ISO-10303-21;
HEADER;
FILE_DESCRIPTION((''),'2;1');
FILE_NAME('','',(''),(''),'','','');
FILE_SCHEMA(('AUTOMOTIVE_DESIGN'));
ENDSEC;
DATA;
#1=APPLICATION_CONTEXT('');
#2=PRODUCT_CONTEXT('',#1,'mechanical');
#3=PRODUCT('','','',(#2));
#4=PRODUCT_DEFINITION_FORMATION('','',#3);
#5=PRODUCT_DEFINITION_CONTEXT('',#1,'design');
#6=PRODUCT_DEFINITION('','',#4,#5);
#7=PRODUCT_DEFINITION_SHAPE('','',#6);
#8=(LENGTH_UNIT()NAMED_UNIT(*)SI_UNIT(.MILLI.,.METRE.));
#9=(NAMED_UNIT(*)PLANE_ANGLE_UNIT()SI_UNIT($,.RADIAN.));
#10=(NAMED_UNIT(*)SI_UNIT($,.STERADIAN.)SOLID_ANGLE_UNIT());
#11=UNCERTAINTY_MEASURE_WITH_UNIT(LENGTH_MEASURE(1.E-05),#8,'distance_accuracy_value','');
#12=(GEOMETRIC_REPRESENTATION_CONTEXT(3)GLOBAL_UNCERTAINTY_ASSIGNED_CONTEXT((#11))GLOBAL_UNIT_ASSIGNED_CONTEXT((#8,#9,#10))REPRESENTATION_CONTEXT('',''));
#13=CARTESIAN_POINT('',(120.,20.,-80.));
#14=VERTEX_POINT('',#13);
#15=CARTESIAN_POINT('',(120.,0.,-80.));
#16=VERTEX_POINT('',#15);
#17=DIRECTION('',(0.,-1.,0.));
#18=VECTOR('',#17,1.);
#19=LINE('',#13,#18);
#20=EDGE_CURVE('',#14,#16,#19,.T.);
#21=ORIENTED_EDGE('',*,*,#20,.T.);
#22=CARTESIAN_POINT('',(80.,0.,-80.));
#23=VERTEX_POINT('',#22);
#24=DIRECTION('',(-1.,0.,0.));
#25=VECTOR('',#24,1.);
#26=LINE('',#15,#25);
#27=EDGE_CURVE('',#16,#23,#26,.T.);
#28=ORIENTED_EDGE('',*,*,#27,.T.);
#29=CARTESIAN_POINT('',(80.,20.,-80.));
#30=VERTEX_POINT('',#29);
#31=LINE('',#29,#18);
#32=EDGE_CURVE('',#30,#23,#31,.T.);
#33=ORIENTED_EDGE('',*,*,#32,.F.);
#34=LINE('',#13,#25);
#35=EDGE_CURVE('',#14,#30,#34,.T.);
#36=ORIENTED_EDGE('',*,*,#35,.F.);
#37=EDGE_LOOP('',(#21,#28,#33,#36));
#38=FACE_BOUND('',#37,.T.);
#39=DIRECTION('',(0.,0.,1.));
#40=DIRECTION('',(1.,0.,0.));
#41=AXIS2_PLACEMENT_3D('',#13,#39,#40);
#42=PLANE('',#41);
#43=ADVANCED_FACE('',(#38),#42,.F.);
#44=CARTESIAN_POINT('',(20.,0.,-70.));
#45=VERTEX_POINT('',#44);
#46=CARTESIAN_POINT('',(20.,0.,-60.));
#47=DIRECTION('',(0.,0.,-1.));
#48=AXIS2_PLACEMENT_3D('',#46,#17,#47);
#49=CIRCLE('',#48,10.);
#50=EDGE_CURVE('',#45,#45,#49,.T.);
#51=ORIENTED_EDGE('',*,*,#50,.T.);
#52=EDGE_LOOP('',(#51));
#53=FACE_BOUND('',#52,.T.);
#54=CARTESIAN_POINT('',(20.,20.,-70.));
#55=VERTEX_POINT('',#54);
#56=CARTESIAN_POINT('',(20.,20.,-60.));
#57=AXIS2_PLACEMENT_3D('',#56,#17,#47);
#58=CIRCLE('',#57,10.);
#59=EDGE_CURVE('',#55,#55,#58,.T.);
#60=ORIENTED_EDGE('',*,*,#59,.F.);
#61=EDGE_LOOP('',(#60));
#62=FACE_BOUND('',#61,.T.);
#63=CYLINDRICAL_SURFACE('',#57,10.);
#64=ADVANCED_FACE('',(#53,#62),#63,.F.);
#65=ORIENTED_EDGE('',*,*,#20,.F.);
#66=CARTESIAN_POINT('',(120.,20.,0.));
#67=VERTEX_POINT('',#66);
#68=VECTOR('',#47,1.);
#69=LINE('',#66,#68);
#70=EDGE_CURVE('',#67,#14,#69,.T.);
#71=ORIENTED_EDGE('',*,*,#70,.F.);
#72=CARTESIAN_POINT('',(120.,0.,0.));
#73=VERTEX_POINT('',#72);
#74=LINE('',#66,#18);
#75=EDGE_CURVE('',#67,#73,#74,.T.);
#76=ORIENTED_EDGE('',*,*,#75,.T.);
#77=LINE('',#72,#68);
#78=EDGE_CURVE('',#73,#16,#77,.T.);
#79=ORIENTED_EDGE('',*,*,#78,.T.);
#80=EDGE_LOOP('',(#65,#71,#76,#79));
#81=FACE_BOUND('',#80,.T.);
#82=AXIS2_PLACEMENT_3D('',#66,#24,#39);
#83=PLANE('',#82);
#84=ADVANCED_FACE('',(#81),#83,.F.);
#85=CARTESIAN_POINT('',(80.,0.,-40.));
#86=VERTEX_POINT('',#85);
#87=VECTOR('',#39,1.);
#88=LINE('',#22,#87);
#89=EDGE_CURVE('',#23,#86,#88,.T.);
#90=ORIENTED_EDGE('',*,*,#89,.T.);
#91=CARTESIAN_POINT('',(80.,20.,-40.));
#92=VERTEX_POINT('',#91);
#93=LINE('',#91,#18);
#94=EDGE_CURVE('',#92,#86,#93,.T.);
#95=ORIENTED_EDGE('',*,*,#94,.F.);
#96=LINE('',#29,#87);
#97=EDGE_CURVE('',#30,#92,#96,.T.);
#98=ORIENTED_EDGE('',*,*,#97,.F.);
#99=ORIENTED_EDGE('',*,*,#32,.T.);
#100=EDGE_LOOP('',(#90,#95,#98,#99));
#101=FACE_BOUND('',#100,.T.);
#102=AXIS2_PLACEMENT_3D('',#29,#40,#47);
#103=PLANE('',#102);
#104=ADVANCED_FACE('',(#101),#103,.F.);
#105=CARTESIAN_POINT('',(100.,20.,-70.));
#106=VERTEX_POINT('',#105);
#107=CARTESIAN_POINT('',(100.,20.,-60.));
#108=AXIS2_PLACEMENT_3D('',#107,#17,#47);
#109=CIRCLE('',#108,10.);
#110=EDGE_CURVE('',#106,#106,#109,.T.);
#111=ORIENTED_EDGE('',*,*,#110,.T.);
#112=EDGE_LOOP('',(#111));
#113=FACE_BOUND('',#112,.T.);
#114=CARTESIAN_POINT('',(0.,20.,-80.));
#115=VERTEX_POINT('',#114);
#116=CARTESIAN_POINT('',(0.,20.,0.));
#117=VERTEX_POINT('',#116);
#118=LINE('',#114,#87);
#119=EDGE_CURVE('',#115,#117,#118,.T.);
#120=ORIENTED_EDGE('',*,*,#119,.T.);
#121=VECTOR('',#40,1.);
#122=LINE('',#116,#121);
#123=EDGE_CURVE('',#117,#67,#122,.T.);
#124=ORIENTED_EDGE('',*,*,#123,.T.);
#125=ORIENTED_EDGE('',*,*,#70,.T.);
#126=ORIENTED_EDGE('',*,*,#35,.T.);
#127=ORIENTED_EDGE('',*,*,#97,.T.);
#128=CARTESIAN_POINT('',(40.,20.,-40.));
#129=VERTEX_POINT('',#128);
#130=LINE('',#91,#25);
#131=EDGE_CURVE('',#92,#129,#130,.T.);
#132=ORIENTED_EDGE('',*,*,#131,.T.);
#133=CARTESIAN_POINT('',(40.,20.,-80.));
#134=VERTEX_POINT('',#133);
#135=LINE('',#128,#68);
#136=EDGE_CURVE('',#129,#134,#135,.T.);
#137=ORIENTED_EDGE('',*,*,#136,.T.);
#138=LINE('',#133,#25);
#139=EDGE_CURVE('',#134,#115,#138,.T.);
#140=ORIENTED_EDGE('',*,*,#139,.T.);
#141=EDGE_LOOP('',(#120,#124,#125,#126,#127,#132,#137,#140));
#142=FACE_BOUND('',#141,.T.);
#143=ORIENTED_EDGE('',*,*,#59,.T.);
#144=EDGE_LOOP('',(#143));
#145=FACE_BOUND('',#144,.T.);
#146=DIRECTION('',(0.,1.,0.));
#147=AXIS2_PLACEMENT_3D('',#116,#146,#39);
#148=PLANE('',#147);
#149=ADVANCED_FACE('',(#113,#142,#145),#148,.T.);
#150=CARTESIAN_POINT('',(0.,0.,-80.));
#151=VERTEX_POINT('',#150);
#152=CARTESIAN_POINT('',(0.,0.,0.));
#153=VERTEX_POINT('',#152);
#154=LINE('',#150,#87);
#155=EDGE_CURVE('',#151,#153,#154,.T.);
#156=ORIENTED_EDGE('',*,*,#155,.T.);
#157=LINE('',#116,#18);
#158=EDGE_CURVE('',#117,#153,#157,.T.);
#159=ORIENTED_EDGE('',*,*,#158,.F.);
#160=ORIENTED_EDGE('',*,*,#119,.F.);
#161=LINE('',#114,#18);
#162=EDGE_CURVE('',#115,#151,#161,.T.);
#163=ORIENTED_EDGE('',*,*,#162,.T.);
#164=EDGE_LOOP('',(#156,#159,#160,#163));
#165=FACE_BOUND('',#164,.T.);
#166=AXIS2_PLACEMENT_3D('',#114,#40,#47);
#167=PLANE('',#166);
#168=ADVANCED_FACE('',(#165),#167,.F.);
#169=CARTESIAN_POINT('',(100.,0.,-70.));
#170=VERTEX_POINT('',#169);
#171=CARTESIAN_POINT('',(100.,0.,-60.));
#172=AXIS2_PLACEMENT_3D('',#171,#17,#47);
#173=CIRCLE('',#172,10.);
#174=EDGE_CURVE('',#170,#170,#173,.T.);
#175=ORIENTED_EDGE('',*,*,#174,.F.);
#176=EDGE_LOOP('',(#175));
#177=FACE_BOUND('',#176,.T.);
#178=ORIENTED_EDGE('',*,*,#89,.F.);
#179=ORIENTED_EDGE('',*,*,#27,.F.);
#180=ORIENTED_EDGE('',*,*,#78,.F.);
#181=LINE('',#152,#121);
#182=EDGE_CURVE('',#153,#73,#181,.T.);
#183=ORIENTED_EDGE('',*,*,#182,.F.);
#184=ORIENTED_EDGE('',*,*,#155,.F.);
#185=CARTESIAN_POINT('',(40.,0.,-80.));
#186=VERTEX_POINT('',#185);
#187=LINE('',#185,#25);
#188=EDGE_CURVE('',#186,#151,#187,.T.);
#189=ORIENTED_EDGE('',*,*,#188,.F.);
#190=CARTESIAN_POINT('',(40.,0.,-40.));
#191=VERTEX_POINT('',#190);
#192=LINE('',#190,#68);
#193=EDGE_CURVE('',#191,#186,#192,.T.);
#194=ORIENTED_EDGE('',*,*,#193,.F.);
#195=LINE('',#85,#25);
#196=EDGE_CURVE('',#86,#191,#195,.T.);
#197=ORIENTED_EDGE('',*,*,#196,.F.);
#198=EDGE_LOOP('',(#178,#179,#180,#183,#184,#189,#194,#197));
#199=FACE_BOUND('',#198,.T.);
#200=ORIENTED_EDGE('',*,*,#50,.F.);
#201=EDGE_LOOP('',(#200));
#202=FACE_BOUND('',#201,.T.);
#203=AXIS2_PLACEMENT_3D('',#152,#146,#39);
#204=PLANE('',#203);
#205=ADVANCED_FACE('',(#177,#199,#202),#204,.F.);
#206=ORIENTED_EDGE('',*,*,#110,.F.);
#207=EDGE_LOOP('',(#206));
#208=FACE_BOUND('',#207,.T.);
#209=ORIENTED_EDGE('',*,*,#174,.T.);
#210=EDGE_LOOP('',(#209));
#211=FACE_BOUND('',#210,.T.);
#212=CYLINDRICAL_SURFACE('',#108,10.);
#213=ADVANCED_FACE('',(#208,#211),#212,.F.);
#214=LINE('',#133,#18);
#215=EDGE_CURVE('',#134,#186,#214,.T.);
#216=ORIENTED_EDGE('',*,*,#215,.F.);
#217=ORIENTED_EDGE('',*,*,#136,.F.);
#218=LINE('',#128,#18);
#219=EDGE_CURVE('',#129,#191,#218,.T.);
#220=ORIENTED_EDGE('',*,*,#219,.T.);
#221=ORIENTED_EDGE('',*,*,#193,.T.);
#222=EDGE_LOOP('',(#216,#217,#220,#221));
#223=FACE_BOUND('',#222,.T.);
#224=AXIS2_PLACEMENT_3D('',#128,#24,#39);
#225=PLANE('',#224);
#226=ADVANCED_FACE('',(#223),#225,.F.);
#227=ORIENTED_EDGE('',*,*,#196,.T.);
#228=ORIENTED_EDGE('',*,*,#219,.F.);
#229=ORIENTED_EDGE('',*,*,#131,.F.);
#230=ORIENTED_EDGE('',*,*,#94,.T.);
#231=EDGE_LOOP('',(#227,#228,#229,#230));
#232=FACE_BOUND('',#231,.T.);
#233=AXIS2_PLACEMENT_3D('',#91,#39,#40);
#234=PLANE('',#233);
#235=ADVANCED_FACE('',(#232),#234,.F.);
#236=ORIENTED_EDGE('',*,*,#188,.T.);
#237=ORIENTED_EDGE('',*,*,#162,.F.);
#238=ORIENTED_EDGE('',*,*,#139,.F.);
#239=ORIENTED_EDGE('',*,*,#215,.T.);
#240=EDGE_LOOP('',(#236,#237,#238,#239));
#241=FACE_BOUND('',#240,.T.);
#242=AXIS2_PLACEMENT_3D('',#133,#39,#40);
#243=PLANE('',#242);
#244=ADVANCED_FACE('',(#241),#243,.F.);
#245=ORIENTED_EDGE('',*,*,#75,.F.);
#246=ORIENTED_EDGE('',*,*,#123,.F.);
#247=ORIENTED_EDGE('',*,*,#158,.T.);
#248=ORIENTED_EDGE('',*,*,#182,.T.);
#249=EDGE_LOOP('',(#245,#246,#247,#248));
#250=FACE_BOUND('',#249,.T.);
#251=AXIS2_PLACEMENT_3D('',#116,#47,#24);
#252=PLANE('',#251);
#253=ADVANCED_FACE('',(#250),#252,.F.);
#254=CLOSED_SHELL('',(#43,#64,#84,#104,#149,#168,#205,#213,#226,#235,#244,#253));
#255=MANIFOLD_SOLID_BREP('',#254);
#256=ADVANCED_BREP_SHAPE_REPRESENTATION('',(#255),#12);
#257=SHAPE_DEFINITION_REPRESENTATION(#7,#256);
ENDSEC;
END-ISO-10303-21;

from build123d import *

# Parameters (mm, degrees)
BOSS_EXTRUDE1_DEPTH = 20
SKETCH4_R           = 10
CUT_EXTRUDE1_DEPTH  = 20


with BuildPart() as part:
    # Sketch2 → Boss-Extrude1 (new body)
    with BuildSketch(Plane(origin=(0, 0, 0), x_dir=(1, 0, 0), z_dir=(0, 1, 0))):
        Polygon((0, 0), (120, 0), (120, 80), (80, 80), (80, 40), (40, 40), (40, 80), (0, 80), align=None)
    extrude(amount=BOSS_EXTRUDE1_DEPTH)

    # Sketch4 → Cut-Extrude1 (cut)
    with BuildSketch(Plane.XZ):
        with Locations((20, -60)):
            Circle(SKETCH4_R)
        with Locations((100, -60)):
            Circle(SKETCH4_R)
    extrude(amount=-CUT_EXTRUDE1_DEPTH, mode=Mode.SUBTRACT)


solid = part.part
